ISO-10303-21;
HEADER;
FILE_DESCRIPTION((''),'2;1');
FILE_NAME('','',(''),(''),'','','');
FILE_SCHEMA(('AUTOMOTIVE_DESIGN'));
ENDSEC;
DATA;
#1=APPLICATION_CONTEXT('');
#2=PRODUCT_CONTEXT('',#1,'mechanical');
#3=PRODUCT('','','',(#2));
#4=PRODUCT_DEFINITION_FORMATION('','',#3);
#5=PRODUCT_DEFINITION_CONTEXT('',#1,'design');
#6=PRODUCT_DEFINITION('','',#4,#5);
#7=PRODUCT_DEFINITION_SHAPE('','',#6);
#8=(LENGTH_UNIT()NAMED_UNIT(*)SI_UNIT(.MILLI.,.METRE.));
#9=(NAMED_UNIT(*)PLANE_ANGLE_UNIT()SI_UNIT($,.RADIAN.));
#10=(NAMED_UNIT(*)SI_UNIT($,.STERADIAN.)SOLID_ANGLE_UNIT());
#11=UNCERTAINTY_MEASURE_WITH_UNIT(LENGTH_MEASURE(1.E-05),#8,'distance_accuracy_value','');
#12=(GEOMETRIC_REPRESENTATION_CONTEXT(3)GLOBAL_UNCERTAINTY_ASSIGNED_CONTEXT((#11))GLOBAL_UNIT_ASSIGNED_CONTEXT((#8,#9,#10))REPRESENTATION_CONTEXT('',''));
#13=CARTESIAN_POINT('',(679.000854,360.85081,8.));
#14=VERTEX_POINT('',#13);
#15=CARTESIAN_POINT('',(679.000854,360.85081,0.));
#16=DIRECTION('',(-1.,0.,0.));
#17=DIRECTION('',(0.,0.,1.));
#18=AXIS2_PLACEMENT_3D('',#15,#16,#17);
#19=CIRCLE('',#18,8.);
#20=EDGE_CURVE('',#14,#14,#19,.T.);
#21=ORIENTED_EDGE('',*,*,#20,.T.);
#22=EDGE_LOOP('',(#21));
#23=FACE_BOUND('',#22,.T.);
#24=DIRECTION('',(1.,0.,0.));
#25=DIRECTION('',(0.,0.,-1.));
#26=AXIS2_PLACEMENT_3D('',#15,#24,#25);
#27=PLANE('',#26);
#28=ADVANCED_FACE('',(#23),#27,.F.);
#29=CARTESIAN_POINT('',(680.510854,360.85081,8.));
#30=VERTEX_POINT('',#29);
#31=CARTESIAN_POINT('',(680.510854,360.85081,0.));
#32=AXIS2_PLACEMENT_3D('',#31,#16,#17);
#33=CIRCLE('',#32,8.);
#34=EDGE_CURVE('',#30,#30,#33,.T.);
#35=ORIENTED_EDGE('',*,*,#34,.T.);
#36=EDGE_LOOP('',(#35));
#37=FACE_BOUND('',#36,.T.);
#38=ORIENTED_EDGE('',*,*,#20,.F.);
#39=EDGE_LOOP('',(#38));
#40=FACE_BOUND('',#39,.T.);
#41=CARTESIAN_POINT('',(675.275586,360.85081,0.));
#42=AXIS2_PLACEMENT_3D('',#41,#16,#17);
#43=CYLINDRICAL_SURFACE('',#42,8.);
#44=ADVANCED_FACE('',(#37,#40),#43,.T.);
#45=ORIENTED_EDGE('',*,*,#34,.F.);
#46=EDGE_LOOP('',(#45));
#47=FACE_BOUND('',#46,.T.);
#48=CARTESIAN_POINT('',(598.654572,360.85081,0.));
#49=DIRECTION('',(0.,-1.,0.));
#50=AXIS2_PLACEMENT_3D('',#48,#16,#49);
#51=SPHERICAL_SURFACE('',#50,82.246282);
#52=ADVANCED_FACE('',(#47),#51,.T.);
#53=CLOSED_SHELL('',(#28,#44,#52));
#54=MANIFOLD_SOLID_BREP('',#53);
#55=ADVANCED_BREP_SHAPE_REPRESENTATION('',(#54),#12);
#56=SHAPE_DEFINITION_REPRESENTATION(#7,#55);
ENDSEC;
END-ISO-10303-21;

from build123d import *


with BuildPart() as part:
    # 草图1 → 旋转1 (revolve)
    with BuildSketch(Plane.XY, mode=Mode.PRIVATE) as revolve_1_sk:
        with BuildLine():
            Line((679.000854272, 360.850810461), (679.000854272, 368.850810461))
            Line((679.000854272, 368.850810461), (680.510854272, 368.850810461))
            ThreePointArc((680.510854272, 368.850810461), (680.803296412, 364.855560766), (680.900854272, 360.850810461))
            Line((680.900854272, 360.850810461), (679.000854272, 360.850810461))
        make_face()
    revolve(revolve_1_sk.sketch.rotate(Axis((675.275585652, 360.850810461, 0), (1, 0, 0)), 180), axis=Axis((675.275585652, 360.850810461, 0), (1, 0, 0)))  # turned: the seam where the file's is


solid = part.part
